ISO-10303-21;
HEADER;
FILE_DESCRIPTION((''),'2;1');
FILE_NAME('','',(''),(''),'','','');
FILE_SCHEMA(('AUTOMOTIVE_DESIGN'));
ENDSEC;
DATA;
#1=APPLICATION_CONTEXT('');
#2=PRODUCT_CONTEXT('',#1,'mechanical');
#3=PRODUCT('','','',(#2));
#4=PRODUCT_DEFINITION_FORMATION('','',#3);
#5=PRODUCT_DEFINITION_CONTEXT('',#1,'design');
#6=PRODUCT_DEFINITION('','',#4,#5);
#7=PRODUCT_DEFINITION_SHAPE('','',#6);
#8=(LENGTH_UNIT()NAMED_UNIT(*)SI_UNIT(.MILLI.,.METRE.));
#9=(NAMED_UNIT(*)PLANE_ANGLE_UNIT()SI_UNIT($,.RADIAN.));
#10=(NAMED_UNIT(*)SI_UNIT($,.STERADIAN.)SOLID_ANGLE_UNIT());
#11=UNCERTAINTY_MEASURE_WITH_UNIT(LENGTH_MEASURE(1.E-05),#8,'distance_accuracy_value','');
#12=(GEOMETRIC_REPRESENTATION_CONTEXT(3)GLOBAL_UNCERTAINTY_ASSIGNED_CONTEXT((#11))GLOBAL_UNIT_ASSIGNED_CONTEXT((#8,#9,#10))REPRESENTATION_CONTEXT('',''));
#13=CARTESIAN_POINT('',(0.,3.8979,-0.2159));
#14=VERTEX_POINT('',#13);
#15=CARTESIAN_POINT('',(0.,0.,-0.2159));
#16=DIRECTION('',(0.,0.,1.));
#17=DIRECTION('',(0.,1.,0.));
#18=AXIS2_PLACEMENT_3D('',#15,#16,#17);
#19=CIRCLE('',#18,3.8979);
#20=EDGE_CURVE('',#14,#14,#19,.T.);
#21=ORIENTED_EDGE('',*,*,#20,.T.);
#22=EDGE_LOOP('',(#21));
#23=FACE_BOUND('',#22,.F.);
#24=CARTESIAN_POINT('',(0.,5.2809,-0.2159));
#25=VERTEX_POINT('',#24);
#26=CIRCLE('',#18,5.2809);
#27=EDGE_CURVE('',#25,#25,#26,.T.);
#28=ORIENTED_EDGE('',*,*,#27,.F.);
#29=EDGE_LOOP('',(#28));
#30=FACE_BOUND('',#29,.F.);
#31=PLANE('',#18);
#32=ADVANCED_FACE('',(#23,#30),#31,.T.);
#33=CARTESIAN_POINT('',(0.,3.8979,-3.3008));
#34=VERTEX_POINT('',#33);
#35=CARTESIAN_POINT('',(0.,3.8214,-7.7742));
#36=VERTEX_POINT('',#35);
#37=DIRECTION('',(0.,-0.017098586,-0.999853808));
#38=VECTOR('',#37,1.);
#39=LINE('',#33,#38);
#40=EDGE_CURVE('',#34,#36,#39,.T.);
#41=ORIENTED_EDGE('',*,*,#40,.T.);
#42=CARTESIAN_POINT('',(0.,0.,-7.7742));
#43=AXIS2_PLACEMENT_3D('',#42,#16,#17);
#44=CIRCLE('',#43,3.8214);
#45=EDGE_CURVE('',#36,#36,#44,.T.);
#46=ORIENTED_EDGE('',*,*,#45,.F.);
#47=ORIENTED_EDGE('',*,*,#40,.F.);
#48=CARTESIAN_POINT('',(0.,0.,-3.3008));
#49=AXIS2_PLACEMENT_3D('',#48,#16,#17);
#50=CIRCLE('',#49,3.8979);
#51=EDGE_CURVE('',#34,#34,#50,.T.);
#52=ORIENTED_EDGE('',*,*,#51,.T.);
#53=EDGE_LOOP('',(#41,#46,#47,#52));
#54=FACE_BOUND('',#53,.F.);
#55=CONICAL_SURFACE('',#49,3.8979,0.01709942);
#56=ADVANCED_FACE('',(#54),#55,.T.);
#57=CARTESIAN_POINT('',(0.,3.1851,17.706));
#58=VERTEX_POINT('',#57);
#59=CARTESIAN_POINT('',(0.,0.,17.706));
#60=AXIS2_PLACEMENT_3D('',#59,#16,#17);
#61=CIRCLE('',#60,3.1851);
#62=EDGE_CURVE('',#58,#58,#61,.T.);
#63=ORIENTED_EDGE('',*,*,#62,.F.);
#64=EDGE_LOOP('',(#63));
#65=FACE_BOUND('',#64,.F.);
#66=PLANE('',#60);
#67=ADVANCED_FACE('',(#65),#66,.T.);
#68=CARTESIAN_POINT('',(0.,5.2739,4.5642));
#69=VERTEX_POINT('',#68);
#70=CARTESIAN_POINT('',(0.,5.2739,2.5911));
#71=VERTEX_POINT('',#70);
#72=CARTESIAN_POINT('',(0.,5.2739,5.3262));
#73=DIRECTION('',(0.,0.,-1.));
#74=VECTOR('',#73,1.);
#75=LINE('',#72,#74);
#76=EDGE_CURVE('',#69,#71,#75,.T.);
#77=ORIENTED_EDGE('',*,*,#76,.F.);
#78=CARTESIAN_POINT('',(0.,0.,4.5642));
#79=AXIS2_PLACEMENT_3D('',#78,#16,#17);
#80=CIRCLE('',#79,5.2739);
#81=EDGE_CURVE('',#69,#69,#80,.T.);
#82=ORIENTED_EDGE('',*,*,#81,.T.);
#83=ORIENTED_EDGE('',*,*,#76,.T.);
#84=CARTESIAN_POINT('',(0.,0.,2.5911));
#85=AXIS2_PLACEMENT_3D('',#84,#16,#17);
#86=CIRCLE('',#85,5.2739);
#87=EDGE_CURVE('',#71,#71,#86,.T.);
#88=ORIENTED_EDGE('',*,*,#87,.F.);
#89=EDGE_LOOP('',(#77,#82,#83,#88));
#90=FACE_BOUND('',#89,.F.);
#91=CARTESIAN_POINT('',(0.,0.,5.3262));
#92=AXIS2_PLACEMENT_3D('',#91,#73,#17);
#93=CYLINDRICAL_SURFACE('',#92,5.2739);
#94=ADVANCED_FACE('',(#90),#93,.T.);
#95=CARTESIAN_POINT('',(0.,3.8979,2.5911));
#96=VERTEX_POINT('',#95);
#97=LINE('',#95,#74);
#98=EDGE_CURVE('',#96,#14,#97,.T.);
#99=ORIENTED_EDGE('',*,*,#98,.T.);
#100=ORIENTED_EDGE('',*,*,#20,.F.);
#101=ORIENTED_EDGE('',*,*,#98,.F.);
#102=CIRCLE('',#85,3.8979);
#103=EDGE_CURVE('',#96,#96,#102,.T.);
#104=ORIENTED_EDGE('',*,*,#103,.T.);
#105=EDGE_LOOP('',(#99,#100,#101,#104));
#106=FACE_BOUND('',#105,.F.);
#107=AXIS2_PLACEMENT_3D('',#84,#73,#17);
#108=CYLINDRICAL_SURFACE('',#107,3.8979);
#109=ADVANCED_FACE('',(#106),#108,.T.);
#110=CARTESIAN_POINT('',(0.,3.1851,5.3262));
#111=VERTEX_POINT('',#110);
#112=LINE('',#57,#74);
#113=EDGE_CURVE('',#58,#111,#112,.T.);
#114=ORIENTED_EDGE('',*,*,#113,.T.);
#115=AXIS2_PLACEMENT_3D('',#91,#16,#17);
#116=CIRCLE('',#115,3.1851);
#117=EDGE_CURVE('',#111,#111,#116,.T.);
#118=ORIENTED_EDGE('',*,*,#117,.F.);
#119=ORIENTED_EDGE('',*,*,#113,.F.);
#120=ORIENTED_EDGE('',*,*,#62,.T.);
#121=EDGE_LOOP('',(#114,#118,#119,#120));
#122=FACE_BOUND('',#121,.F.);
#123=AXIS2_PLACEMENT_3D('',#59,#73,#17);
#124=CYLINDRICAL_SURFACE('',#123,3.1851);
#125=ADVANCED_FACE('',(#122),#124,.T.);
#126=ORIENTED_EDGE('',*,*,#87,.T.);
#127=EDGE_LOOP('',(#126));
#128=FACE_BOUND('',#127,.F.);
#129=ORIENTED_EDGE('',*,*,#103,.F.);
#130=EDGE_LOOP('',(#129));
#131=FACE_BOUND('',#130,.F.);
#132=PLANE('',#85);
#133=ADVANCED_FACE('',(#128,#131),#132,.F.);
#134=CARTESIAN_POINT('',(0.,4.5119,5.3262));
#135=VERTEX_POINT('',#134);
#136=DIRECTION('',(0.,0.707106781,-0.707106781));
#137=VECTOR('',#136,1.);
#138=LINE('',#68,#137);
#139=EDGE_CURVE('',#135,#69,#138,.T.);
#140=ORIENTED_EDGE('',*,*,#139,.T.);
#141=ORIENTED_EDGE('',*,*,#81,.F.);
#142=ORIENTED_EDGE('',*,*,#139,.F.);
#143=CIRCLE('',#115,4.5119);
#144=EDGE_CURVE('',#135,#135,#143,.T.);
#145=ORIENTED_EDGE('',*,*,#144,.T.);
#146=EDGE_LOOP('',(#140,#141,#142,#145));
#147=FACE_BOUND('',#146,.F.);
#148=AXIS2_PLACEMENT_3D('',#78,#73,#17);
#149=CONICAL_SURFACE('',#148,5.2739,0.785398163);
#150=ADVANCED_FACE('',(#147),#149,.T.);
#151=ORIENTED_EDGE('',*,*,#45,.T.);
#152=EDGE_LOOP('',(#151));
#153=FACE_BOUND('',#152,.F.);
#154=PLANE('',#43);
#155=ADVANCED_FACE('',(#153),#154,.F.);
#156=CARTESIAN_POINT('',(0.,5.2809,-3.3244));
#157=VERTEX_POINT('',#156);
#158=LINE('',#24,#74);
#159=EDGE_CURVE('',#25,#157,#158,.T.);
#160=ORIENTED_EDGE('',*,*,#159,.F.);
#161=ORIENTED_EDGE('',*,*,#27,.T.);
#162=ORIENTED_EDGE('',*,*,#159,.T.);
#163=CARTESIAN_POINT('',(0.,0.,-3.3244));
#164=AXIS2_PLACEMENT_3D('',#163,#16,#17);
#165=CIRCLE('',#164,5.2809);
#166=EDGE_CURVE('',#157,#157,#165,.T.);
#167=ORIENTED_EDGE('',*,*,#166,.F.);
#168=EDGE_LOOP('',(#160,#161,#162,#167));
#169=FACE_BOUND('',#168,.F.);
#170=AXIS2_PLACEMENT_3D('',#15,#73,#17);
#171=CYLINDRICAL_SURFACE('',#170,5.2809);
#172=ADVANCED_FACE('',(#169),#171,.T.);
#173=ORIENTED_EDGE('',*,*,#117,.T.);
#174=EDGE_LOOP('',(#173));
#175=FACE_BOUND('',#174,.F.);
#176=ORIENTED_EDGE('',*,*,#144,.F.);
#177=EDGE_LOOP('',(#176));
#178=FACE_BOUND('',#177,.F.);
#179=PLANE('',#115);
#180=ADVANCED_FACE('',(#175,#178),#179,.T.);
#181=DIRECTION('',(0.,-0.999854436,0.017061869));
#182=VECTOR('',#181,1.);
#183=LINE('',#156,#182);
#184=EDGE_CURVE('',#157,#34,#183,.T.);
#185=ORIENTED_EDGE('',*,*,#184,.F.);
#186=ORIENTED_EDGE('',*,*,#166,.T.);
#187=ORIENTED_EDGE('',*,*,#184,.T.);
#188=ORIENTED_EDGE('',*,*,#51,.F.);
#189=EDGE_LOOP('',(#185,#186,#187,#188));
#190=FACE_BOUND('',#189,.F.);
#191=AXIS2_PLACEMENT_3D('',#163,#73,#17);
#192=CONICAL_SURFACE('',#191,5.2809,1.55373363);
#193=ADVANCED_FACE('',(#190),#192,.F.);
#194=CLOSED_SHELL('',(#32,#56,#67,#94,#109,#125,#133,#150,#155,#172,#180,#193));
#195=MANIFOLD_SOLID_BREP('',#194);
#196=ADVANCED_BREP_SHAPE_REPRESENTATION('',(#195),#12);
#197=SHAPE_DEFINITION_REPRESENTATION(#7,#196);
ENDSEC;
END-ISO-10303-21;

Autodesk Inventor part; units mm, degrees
ref_plane "YZ Plane" through (0, 0, 0) normal (1, 0, 0) x (0, 1, 0)
ref_plane "XZ Plane" through (0, 0, 0) normal (0, 1, 0) x (-1, 0, 0)
ref_plane "XY Plane" through (0, 0, 0) normal (0, 0, 1) x (1, 0, 0)
sketch "Sketch1" plane through (0, 0, 0) normal (1, 0, 0) x (0, 1, 0)
  line L0 (0, 17.706) -> (3.1851, 17.706)
  line L1 (3.1851, 17.706) -> (3.1851, 5.3262)
  line L2 (3.1851, 5.3262) -> (5.2739, 5.3262)
  line L3 (5.2739, 5.3262) -> (5.2739, 2.5911)
  line L4 (5.2739, 2.5911) -> (3.8979, 2.5911)
  line L5 (3.8979, 2.5911) -> (3.8979, -0.2159)
  line L6 (3.8979, -0.2159) -> (5.2809, -0.2159)
  line L7 (5.2809, -0.2159) -> (5.2809, -3.3244)
  line L8 (5.2809, -3.3244) -> (3.8979, -3.3008)
  line L9 (3.8979, -3.3008) -> (3.8214, -7.7742)
  line L10 (3.8214, -7.7742) -> (0, -7.7742)
  line L11 (0, -7.7742) -> (0, 17.706)
  point P0 (0, 0)
revolve "Revolution1" add sketch "Sketch1" angle 360 about axis through (0, 0, -7.7742) along (0, 0, 1)
chamfer "Chamfer1" distance 0.762 angle 45 1 edges at (0, -5.2739, 5.3262)
properties part number "simple_shaft"
